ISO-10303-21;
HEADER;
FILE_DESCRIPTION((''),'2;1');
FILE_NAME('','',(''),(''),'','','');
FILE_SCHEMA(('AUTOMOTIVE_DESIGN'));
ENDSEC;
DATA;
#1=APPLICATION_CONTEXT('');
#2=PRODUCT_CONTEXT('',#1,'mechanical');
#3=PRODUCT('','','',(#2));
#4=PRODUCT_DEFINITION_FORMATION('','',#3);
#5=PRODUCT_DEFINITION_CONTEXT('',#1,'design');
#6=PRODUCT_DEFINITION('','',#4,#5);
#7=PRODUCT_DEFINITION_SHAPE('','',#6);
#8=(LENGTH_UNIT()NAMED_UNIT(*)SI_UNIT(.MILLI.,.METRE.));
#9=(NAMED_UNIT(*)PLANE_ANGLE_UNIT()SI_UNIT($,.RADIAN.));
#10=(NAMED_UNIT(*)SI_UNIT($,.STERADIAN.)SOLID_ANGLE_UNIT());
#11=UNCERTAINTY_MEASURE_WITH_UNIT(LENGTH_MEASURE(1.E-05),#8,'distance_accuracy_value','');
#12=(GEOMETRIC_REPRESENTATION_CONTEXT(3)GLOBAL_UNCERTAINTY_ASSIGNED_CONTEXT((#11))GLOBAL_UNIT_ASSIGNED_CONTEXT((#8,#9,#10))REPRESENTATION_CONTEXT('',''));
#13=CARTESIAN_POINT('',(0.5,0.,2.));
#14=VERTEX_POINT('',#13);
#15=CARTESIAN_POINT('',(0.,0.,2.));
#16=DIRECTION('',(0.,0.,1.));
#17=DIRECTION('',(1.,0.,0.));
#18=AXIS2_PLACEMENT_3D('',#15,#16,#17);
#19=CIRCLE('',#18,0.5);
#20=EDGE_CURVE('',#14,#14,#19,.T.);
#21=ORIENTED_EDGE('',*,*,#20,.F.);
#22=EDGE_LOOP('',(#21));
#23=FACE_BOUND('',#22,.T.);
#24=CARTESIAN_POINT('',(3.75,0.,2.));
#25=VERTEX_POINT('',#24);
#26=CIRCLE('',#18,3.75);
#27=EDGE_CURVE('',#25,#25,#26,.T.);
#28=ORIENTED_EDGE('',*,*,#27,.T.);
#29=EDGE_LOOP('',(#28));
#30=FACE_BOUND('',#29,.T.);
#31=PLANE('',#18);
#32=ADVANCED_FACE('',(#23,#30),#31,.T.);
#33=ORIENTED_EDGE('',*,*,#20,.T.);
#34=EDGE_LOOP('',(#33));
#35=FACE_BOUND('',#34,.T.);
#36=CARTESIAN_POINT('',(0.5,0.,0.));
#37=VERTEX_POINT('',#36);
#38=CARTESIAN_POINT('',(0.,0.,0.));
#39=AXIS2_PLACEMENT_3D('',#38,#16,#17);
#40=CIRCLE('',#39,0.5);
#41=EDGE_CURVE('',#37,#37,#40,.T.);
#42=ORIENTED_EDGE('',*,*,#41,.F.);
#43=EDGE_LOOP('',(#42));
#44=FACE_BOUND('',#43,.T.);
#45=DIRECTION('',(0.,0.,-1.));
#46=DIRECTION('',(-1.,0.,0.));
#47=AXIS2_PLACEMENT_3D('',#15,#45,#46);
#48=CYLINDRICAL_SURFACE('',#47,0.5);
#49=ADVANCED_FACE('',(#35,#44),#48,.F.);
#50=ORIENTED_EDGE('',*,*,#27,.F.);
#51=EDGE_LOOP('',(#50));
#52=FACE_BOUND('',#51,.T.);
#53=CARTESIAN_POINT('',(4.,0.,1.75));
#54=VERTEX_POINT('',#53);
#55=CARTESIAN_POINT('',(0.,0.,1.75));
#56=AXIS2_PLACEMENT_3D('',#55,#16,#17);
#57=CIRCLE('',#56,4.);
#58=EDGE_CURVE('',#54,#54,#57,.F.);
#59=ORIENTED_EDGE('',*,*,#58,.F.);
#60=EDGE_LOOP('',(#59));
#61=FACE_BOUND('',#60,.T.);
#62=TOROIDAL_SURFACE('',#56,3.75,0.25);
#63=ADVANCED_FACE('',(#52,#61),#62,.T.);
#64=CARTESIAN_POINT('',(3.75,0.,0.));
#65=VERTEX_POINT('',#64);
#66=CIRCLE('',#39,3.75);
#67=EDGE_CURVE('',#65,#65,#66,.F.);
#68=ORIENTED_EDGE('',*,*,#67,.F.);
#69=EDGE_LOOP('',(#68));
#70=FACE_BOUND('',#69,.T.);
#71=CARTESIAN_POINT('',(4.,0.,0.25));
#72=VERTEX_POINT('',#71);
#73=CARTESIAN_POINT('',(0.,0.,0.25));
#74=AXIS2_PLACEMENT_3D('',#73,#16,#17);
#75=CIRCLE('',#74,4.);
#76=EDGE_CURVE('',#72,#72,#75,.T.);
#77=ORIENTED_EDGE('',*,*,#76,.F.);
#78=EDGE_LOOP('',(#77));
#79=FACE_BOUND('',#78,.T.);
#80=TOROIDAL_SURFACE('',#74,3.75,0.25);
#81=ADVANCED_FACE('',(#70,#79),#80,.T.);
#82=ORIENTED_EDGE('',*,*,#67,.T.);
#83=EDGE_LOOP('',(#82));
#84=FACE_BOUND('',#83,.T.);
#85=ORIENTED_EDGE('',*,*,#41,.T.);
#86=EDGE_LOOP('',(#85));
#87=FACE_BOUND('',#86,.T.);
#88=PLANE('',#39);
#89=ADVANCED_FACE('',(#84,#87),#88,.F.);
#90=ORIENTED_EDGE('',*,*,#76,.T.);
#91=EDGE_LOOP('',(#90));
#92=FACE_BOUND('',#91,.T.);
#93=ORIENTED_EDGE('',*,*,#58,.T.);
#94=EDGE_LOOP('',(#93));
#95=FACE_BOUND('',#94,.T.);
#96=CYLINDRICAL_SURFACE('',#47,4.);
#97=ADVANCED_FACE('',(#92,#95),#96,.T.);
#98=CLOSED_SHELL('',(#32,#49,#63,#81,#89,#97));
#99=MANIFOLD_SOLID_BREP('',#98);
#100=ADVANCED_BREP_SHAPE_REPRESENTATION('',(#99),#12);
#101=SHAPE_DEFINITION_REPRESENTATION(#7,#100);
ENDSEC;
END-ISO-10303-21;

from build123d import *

# Parameters (mm, degrees)
SKETCH2_R           = 4
SKETCH2_R_2         = 0.5
BOSS_EXTRUDE1_DEPTH = 2
FILLET1_R           = 0.25


with BuildPart() as part:
    # Sketch2 → Boss-Extrude1 (new body)
    with BuildSketch(Plane.XY):
        Circle(SKETCH2_R)
        Circle(SKETCH2_R_2, mode=Mode.SUBTRACT)
    extrude(amount=BOSS_EXTRUDE1_DEPTH)

    # Fillet1
    fillet1_edges = [part.edges().sort_by_distance(p)[0] for p in [
        (-4, 0, 0),
        (-4, 0, 2),
    ]]
    fillet(fillet1_edges, radius=FILLET1_R)


solid = part.part
